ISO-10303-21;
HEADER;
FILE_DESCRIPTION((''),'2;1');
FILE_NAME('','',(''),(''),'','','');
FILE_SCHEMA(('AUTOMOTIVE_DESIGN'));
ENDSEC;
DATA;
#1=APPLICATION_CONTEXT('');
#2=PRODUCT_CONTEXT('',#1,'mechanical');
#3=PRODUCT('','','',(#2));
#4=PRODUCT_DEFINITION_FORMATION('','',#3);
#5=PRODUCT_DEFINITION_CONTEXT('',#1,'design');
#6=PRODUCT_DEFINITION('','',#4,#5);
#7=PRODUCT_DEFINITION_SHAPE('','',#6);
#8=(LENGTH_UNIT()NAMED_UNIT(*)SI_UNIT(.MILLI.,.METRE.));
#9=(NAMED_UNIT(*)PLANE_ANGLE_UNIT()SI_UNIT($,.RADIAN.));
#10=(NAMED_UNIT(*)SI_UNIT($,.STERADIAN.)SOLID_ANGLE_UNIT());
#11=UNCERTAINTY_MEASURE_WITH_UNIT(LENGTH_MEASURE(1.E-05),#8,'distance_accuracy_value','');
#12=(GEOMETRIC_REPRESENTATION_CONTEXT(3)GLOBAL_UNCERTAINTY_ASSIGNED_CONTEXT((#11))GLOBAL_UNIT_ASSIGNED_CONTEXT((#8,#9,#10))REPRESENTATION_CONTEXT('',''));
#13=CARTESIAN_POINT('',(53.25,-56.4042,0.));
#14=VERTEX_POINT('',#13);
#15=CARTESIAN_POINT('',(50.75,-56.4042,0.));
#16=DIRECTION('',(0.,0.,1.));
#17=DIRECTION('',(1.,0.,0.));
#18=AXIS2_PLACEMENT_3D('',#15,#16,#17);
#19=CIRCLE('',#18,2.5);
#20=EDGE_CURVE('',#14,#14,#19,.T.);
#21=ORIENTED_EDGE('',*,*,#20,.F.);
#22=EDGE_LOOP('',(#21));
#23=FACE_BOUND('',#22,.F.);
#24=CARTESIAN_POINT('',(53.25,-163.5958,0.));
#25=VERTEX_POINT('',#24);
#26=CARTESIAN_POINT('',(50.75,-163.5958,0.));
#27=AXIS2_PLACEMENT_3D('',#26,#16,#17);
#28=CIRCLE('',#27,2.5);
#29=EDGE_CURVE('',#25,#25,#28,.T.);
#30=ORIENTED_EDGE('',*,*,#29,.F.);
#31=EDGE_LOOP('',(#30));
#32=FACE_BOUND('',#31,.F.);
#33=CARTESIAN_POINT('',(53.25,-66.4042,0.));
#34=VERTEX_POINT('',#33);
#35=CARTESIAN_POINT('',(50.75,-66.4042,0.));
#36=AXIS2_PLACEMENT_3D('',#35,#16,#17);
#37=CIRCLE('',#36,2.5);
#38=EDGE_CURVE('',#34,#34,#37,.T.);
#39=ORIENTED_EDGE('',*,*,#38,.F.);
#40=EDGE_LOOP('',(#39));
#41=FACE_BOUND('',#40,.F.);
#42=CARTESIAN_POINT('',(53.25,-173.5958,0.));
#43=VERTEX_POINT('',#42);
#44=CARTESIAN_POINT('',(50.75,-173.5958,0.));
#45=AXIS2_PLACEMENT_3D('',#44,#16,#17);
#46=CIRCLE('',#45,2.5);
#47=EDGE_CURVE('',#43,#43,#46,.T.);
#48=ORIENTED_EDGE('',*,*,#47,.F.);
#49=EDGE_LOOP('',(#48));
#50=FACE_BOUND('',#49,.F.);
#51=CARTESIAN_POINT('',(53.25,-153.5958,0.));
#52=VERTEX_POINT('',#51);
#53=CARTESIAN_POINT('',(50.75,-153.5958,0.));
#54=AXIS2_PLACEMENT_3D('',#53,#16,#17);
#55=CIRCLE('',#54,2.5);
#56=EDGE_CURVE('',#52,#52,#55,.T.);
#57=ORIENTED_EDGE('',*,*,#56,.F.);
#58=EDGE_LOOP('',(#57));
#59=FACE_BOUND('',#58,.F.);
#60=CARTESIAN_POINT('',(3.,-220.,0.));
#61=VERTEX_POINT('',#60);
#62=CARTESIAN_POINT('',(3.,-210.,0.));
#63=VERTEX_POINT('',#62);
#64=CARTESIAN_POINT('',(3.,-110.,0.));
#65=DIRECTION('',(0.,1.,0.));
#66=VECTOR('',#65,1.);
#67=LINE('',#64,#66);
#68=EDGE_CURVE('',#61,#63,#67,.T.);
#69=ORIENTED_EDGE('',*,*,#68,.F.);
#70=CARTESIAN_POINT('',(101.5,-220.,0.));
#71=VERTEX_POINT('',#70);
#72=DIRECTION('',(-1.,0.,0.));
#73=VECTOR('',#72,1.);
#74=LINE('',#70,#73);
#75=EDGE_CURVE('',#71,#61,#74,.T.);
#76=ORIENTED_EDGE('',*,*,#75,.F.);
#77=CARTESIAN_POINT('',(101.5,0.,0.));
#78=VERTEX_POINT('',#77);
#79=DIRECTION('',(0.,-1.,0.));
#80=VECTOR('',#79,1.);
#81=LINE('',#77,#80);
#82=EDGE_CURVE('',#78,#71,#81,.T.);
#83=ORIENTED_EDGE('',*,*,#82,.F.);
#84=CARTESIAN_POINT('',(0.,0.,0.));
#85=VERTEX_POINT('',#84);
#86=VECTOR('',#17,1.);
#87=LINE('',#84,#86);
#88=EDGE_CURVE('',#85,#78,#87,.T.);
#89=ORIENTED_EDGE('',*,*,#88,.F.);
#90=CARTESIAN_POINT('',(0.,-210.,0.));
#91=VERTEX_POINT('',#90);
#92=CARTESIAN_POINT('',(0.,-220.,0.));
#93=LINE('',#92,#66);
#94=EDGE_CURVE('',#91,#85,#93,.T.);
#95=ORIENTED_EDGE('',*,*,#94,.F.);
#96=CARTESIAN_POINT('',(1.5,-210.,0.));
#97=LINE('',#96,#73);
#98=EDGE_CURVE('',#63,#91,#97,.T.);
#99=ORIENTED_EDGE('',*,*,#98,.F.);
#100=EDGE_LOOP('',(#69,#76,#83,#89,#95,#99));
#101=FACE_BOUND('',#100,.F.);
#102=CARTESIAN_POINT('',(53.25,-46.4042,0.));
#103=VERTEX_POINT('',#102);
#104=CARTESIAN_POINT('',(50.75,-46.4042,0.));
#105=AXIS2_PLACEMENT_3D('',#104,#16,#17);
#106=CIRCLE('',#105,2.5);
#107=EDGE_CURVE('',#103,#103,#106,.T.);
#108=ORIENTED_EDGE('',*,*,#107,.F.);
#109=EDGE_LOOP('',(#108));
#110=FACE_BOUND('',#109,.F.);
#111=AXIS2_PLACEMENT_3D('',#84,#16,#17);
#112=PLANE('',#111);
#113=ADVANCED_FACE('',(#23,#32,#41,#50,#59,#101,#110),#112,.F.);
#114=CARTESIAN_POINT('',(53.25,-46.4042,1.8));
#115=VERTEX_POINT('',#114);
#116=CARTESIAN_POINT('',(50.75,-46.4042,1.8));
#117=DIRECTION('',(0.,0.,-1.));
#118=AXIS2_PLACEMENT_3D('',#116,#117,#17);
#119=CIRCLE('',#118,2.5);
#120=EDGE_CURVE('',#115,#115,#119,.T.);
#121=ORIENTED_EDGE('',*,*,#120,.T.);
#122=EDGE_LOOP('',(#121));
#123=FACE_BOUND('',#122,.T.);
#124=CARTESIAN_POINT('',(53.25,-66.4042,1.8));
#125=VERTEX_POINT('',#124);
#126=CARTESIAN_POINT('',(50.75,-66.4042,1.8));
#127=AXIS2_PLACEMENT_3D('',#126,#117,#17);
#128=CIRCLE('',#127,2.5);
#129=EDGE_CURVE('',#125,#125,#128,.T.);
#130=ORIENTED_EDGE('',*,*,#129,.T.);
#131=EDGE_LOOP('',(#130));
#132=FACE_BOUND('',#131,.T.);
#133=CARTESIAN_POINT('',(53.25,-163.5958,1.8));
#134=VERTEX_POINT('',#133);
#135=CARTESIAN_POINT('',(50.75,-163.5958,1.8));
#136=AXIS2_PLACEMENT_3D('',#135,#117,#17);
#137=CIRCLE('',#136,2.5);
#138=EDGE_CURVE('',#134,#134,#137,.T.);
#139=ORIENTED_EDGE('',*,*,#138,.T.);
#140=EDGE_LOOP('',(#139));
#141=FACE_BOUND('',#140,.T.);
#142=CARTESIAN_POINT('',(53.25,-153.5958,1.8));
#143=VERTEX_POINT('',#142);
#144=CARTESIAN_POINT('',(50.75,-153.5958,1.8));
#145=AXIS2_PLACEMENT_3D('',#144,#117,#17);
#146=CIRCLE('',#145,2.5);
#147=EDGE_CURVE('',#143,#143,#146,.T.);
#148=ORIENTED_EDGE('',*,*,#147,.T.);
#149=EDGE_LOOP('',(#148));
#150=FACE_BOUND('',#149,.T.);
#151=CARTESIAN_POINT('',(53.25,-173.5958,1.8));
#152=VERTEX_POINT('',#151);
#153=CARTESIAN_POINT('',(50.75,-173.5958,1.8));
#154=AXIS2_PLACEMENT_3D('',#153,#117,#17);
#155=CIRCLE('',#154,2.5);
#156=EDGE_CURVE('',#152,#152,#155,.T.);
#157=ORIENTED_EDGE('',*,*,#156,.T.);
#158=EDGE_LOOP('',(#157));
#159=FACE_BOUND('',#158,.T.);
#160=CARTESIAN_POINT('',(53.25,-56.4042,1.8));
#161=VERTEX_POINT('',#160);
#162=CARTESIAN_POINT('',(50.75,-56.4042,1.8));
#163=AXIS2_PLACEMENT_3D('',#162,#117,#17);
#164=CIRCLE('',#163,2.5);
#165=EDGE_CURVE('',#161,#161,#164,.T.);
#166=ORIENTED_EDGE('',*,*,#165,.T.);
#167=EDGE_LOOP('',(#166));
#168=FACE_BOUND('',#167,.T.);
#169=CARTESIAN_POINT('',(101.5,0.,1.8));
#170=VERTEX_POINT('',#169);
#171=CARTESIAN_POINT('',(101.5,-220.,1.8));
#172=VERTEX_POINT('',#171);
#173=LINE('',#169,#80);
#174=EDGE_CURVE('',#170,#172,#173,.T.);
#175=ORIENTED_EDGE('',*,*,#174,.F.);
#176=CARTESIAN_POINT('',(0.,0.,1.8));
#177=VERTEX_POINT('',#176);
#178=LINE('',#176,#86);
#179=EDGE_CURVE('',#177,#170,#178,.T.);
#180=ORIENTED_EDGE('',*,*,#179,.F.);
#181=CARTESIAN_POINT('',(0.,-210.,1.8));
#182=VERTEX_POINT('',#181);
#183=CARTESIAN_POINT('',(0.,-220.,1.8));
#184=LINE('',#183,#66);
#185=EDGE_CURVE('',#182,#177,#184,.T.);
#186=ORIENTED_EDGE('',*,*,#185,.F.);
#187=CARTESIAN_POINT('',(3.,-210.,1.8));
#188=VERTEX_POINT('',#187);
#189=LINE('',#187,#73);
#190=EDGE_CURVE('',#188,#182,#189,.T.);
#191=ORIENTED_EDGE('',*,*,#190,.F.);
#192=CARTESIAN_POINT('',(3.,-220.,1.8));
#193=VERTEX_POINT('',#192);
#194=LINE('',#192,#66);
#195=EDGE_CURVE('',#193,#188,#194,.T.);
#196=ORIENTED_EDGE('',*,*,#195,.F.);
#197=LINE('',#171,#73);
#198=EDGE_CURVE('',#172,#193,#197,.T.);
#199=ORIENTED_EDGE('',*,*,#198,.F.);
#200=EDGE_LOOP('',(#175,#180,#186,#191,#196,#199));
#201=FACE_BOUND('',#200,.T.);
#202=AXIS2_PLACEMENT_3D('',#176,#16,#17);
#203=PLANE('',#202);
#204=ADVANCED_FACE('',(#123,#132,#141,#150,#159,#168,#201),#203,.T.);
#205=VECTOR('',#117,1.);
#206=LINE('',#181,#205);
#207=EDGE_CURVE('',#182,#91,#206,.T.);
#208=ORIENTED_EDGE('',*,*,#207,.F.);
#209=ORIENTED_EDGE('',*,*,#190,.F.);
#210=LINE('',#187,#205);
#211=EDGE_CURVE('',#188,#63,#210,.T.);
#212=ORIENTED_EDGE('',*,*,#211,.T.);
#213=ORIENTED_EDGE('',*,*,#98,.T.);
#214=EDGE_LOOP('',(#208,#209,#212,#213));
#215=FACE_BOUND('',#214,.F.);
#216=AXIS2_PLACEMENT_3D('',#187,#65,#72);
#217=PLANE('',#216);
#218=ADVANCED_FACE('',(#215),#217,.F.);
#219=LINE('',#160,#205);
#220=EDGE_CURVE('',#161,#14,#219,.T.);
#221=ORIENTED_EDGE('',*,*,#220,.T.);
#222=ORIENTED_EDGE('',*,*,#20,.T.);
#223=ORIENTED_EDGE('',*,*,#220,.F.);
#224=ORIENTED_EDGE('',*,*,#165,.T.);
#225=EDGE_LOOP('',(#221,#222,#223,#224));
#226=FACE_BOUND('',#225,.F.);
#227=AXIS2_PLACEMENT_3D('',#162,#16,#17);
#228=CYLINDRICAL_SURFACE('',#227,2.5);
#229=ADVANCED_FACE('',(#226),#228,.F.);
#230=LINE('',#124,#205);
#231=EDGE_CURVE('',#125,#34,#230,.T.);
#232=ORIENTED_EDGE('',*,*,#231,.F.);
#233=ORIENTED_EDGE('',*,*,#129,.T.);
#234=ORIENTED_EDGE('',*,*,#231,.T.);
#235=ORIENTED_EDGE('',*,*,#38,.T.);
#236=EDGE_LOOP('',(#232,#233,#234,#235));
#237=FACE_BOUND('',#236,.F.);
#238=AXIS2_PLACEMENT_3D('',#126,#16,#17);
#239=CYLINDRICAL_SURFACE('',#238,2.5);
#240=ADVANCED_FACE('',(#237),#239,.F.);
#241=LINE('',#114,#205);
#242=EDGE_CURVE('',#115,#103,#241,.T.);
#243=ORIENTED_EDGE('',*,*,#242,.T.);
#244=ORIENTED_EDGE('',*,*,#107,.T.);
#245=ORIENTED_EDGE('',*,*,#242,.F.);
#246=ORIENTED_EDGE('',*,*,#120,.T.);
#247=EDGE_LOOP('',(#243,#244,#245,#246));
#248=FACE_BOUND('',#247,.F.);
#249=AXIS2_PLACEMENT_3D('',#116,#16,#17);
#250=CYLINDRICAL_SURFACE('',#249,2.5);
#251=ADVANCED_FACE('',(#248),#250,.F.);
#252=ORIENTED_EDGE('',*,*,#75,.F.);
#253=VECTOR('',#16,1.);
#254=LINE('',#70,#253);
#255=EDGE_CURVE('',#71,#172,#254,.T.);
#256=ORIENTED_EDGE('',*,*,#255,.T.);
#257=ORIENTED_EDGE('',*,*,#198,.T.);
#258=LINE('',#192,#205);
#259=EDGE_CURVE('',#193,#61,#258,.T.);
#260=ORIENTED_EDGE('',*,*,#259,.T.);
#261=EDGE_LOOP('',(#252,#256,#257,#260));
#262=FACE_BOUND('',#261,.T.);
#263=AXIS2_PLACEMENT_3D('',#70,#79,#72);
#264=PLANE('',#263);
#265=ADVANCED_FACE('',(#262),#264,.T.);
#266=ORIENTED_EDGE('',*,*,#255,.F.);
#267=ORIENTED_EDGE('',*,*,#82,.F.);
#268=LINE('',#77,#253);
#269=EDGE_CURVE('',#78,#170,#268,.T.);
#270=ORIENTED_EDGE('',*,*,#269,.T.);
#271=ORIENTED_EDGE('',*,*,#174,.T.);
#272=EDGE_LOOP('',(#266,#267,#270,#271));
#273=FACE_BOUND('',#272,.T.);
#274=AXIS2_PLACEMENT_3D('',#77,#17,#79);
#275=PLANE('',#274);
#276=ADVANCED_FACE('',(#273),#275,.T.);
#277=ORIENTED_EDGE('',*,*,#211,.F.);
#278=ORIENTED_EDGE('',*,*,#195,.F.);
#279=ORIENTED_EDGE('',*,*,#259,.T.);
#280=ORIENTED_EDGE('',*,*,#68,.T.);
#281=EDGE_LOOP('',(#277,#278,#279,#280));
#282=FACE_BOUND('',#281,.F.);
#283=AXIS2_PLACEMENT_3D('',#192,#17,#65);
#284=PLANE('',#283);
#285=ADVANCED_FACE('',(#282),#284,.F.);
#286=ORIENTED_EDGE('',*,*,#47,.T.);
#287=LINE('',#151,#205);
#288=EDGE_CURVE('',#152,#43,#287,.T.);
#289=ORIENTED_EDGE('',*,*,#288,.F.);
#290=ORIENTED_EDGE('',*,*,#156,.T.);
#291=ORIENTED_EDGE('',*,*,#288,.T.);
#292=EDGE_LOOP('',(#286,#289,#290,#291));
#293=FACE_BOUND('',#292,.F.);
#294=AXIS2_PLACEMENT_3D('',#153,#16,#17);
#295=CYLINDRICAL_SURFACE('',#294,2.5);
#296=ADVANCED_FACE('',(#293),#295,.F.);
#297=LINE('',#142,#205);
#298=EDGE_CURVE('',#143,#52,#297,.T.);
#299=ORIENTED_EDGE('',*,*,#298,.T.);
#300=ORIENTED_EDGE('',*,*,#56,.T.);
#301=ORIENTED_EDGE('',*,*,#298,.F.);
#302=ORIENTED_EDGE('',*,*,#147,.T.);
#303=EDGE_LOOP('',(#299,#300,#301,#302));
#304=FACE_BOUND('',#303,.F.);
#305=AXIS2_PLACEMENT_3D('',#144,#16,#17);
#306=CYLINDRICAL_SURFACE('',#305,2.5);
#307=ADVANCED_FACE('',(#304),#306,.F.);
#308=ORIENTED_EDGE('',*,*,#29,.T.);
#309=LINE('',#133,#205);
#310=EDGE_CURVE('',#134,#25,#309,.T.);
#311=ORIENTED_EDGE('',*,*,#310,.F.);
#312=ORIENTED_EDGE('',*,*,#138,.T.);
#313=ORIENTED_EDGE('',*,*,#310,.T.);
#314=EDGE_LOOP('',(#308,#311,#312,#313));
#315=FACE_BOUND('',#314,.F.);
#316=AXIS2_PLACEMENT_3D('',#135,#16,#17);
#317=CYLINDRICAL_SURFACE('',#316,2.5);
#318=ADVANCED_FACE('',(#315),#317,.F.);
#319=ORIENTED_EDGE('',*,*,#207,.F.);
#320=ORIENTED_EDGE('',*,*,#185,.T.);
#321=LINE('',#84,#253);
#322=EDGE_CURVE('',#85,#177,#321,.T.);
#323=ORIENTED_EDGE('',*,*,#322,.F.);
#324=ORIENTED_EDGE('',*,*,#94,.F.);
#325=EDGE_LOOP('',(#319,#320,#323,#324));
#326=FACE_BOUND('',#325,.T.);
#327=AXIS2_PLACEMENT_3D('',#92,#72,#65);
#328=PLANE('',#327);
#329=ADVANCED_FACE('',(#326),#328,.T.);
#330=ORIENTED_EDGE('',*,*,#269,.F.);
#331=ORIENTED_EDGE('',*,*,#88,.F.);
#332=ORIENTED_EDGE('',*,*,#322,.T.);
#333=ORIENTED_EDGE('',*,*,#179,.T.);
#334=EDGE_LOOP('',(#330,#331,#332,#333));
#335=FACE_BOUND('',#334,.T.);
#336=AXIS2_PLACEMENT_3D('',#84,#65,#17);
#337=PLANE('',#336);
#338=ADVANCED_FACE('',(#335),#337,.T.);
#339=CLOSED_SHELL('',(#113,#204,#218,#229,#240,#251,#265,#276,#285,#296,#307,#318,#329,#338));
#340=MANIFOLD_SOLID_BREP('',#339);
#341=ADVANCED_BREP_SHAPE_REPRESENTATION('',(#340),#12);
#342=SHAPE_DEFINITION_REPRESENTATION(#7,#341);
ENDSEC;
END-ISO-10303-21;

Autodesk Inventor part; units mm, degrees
ref_plane "YZ Plane" through (0, 0, 0) normal (1, 0, 0) x (0, 1, 0)
ref_plane "XZ Plane" through (0, 0, 0) normal (0, 1, 0) x (-1, 0, 0)
ref_plane "XY Plane" through (0, 0, 0) normal (0, 0, 1) x (1, 0, 0)
sketch "Sketch1" plane through (0, 0, 0) normal (0, 0, 1) x (1, 0, 0)
  line L0 (0, 0) -> (101.5, 0)
  line L1 (101.5, 0) -> (101.5, -220)
  line L2 (101.5, -220) -> (0, -220)
  line L3 (0, -220) -> (0, 0)
  dimension "d0" = 101.5
  dimension "d1" = 220
extrude "Extrusion1" add sketch "Sketch1" along normal blind 1.8
sketch "Sketch2" plane through (0, 0, 1.8) normal (0, 0, 1) x (1, 0, 0)
  line L0 (0, 0) -> (0, -220) projected
  line L1 (101.5, -220) -> (101.5, 0) projected
  line L2 (0, 0) -> (101.5, 0)
  line L3 (101.5, 0) -> (101.5, -10)
  line L4 (101.5, -10) -> (0, -10)
  line L5 (0, -10) -> (0, 0)
  line L6 (50.75, -10) -> (140.75, -10)
  line L7 (140.75, -10) -> (140.75, -153.5958)
  line L8 (140.75, -153.5958) -> (50.75, -153.5958)
  line L9 (50.75, -153.5958) -> (50.75, -10)
  circle A0 centre (50.75, -153.5958) radius 2.5
  line L10 (50.75, -153.5958) -> (50.75, -173.5958)
  circle A1 centre (50.75, -173.5958) radius 2.5
  line L11 (50.75, -153.5958) -> (50.75, -133.5958)
  circle A2 centre (50.75, -163.5958) radius 2.5
  line L12 (101.5, 0) -> (0, 0) projected
  line L13 (0, -220) -> (101.5, -220) projected
  line L14 (0, 0) -> (101.5, -220)
  line L15 (101.5, -220) -> (50.75, -110)
  line L16 (50.75, -110) -> (87.135, -110)
  circle A3 centre (50.75, -66.4042) radius 2.5
  line L17 (50.75, -113.5958) -> (50.75, -46.4042)
  circle A4 centre (50.75, -46.4042) radius 2.5
  line L18 (50.75, -113.5958) -> (50.75, -86.4042)
  circle A5 centre (50.75, -56.4042) radius 2.5
  dimension "d4" = 10
  dimension "d5" = 90
  dimension "d6" = 5
  dimension "d7" = 20
  dimension "d8" = 20
  dimension "d11" = 5
extrude "Extrusion2" cut sketch "Sketch2" against normal blind 10 contours A1 | A2 L10 | L10 A2 | A4 L9 | L9 A4 | A3 L9 | L9 A3 | A0 L10 L8 | L8 L9 A0 | A5 L9 | L9 A5 | L9 L10 A0
sketch "Sketch3" plane through (0, 0, 1.8) normal (0, 0, 1) x (1, 0, 0)
  line L0 (0, -220) -> (101.5, -220) projected
  line L1 (0, -220) -> (3, -220)
  line L2 (3, -220) -> (3, -210)
  line L3 (3, -210) -> (0, -210)
  line L4 (0, -210) -> (0, -220)
  point P0 (0, 0)
  dimension "d14" = 3
  dimension "d15" = 10
extrude "Extrusion3" cut sketch "Sketch3" against normal blind 10
properties part number "7001_Aluminum_Chasis_Coil_Assembly_Separator_Tx_Filter_MPSv2_v1" material "Aluminum 6061"
